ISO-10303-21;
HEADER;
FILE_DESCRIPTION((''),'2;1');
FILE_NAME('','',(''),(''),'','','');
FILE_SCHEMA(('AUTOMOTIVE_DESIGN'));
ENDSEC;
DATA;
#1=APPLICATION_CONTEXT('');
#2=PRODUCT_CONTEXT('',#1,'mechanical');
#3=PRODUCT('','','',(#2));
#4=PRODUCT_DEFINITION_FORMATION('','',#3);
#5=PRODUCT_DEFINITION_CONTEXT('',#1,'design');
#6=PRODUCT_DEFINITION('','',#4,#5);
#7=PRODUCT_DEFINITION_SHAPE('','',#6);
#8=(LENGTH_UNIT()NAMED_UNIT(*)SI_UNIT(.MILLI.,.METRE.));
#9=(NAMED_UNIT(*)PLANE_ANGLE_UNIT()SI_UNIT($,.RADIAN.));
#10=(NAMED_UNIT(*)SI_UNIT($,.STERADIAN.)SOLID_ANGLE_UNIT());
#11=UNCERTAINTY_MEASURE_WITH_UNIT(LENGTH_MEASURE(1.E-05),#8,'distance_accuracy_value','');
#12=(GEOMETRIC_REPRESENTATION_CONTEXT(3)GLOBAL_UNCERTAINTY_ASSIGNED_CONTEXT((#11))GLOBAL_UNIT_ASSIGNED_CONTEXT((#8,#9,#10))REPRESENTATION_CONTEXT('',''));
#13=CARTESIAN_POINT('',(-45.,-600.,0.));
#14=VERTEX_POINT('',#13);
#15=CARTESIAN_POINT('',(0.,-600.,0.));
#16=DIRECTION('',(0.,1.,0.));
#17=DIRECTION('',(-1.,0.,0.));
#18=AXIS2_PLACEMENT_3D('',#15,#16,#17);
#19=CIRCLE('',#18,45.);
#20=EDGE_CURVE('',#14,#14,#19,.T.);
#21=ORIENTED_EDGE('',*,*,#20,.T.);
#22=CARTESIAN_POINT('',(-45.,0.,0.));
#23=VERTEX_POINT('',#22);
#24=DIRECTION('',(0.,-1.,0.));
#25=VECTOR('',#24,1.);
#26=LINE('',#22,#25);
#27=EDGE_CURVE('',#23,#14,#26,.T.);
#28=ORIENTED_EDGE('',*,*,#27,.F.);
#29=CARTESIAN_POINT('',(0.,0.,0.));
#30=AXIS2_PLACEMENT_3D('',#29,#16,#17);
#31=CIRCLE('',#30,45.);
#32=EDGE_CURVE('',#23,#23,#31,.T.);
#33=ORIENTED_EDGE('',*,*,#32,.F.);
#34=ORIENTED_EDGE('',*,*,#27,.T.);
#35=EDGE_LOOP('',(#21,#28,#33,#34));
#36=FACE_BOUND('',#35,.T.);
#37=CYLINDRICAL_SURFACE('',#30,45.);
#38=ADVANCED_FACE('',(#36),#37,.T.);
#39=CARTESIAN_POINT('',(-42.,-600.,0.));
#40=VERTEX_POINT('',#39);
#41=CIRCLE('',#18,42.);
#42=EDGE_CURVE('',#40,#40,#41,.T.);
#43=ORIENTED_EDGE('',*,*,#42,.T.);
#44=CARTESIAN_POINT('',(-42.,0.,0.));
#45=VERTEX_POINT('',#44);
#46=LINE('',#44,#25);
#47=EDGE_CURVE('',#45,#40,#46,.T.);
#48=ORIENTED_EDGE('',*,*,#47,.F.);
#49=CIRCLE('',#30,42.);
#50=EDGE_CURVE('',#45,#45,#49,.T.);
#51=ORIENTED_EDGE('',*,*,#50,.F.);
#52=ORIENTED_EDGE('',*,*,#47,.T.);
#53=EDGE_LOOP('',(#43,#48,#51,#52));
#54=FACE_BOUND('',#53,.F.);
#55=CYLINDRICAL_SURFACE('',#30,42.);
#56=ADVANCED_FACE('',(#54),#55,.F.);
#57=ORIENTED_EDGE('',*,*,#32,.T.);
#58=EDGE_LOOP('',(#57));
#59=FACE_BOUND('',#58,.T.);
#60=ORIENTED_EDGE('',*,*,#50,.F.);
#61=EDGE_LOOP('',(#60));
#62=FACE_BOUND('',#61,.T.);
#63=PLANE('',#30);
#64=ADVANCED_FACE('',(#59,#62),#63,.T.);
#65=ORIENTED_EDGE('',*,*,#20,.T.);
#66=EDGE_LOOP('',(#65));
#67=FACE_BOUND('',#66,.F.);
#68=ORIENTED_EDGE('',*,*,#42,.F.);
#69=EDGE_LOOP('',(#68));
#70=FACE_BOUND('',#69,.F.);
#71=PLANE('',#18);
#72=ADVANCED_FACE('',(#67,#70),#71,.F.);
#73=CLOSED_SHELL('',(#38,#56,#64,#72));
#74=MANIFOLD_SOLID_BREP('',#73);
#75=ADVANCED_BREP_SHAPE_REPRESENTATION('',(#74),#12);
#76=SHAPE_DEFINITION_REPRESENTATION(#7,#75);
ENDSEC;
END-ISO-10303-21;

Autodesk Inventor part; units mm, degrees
ref_plane "YZ Plane" through (0, 0, 0) normal (1, 0, 0) x (0, 1, 0)
ref_plane "XZ Plane" through (0, 0, 0) normal (0, 1, 0) x (-1, 0, 0)
ref_plane "XY Plane" through (0, 0, 0) normal (0, 0, 1) x (1, 0, 0)
sketch "Sketch1" plane through (0, 0, 0) normal (0, 1, 0) x (-1, 0, 0)
  circle A0 centre (0, 0) radius 45
  circle A1 centre (0, 0) radius 42
  dimension "d0" = 90
  dimension "d1" = 3
extrude "Extrusion1" add sketch "Sketch1" against normal blind 600
properties part number "PRS 9615 FDS tube 5_1200"
